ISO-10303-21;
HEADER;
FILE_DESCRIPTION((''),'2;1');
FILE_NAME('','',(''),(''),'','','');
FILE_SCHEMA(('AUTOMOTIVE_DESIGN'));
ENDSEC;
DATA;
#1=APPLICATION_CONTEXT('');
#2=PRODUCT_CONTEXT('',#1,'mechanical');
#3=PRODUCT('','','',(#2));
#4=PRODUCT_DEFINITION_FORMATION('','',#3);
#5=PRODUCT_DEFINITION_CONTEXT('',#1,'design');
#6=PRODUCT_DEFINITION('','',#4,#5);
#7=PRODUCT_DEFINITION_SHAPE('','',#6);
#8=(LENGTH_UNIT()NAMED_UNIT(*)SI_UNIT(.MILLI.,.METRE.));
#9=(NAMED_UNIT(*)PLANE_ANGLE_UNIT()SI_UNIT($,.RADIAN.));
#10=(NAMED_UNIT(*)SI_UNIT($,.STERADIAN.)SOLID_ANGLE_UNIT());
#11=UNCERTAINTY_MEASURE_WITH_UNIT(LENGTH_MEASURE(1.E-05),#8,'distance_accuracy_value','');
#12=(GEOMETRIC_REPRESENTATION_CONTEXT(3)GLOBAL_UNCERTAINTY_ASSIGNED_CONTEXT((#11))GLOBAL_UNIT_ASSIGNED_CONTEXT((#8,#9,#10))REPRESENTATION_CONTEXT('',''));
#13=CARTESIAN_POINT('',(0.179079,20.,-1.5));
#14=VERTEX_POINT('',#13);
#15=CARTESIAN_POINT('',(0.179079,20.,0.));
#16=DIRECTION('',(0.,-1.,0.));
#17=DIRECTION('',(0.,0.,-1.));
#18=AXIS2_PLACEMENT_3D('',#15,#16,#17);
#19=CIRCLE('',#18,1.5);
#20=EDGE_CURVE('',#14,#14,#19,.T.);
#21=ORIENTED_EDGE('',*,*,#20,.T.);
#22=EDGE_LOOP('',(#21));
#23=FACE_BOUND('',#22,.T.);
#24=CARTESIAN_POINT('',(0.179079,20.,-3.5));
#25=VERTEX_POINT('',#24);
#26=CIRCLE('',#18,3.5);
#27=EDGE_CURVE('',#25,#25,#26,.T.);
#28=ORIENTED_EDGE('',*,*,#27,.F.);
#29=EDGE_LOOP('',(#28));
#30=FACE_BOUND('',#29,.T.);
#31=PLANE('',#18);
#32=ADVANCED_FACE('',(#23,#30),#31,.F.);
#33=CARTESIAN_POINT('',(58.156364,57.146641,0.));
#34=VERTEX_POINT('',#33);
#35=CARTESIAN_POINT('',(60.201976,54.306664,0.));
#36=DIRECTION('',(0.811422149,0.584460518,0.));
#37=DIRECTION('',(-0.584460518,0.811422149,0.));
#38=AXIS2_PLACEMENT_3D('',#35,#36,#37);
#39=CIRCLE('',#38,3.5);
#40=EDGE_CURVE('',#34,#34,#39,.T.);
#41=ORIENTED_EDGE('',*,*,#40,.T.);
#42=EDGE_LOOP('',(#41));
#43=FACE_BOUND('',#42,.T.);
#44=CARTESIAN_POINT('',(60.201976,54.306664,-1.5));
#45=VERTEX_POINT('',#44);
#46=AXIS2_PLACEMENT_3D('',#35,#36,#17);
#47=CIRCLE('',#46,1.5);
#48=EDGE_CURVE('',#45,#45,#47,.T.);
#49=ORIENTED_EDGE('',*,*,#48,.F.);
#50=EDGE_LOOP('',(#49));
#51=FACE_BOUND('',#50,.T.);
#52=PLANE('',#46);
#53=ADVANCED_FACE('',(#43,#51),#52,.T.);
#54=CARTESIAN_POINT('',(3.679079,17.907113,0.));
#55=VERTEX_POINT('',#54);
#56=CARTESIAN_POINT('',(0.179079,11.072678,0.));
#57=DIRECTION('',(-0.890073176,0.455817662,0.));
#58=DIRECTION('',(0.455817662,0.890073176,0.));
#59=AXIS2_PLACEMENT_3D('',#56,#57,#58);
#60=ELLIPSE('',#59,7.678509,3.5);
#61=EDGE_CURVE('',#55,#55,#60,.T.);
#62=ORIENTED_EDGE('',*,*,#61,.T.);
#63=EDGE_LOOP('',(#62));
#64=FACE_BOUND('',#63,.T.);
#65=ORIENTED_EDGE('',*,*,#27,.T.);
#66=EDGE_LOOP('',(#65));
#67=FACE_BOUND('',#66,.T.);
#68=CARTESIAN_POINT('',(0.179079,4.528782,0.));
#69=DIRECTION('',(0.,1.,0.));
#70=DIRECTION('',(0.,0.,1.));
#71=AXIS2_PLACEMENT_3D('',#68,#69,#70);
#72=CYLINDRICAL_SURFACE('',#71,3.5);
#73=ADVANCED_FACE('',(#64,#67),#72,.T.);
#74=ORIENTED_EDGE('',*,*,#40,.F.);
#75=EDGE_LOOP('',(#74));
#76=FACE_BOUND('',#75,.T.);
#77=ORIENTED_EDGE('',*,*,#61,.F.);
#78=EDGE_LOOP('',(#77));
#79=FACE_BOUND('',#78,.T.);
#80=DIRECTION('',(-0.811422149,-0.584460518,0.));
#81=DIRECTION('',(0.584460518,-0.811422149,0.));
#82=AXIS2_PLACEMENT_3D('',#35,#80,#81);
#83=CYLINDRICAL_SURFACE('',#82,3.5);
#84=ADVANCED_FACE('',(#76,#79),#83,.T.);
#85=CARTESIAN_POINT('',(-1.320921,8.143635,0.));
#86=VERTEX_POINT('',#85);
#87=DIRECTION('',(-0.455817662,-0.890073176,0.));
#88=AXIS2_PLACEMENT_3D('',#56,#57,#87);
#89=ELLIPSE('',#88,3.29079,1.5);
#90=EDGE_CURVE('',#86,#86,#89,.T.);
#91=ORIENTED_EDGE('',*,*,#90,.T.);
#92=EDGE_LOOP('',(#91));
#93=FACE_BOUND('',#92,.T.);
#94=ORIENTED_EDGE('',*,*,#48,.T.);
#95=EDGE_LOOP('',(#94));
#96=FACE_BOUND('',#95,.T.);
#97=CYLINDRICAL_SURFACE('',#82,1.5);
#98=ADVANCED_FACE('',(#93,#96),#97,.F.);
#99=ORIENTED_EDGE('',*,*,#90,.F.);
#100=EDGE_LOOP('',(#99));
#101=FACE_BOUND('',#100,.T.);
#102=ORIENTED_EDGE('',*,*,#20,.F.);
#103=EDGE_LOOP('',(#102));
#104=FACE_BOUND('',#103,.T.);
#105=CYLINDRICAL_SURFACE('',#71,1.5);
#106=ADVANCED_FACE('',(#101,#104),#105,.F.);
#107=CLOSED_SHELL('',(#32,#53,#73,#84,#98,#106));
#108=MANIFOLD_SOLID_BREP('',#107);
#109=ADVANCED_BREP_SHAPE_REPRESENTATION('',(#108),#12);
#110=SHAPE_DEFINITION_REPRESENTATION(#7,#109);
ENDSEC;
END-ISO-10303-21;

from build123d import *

# Parameters (mm, degrees)
SWEEP_THIN1_PROFILE_R   = 3.5
SWEEP_THIN1_PROFILE_R_2 = 1.5


with BuildPart() as part:
    # Sweep-Thin1: sweep along a path in Sketch7
    with BuildLine(Plane.XY) as sweep_thin1_path:
        Line((60.201976259, 54.306663616), (0.179079417, 11.072678178))
        Line((0.179079417, 11.072678178), (0.179079417, 20))
    # Sweep-Thin1 profile (on start of the path) → Sweep-Thin1 (sweep)
    with BuildSketch(Plane(origin=(60.201976259, 54.306663616, 0), x_dir=(0.5844605176520309, -0.8114221486414579, 0), z_dir=(-0.8114221486414579, -0.5844605176520309, 0))):
        Circle(SWEEP_THIN1_PROFILE_R)
        Circle(SWEEP_THIN1_PROFILE_R_2, mode=Mode.SUBTRACT)
    sweep(path=sweep_thin1_path.line, transition=Transition.RIGHT)


solid = part.part
